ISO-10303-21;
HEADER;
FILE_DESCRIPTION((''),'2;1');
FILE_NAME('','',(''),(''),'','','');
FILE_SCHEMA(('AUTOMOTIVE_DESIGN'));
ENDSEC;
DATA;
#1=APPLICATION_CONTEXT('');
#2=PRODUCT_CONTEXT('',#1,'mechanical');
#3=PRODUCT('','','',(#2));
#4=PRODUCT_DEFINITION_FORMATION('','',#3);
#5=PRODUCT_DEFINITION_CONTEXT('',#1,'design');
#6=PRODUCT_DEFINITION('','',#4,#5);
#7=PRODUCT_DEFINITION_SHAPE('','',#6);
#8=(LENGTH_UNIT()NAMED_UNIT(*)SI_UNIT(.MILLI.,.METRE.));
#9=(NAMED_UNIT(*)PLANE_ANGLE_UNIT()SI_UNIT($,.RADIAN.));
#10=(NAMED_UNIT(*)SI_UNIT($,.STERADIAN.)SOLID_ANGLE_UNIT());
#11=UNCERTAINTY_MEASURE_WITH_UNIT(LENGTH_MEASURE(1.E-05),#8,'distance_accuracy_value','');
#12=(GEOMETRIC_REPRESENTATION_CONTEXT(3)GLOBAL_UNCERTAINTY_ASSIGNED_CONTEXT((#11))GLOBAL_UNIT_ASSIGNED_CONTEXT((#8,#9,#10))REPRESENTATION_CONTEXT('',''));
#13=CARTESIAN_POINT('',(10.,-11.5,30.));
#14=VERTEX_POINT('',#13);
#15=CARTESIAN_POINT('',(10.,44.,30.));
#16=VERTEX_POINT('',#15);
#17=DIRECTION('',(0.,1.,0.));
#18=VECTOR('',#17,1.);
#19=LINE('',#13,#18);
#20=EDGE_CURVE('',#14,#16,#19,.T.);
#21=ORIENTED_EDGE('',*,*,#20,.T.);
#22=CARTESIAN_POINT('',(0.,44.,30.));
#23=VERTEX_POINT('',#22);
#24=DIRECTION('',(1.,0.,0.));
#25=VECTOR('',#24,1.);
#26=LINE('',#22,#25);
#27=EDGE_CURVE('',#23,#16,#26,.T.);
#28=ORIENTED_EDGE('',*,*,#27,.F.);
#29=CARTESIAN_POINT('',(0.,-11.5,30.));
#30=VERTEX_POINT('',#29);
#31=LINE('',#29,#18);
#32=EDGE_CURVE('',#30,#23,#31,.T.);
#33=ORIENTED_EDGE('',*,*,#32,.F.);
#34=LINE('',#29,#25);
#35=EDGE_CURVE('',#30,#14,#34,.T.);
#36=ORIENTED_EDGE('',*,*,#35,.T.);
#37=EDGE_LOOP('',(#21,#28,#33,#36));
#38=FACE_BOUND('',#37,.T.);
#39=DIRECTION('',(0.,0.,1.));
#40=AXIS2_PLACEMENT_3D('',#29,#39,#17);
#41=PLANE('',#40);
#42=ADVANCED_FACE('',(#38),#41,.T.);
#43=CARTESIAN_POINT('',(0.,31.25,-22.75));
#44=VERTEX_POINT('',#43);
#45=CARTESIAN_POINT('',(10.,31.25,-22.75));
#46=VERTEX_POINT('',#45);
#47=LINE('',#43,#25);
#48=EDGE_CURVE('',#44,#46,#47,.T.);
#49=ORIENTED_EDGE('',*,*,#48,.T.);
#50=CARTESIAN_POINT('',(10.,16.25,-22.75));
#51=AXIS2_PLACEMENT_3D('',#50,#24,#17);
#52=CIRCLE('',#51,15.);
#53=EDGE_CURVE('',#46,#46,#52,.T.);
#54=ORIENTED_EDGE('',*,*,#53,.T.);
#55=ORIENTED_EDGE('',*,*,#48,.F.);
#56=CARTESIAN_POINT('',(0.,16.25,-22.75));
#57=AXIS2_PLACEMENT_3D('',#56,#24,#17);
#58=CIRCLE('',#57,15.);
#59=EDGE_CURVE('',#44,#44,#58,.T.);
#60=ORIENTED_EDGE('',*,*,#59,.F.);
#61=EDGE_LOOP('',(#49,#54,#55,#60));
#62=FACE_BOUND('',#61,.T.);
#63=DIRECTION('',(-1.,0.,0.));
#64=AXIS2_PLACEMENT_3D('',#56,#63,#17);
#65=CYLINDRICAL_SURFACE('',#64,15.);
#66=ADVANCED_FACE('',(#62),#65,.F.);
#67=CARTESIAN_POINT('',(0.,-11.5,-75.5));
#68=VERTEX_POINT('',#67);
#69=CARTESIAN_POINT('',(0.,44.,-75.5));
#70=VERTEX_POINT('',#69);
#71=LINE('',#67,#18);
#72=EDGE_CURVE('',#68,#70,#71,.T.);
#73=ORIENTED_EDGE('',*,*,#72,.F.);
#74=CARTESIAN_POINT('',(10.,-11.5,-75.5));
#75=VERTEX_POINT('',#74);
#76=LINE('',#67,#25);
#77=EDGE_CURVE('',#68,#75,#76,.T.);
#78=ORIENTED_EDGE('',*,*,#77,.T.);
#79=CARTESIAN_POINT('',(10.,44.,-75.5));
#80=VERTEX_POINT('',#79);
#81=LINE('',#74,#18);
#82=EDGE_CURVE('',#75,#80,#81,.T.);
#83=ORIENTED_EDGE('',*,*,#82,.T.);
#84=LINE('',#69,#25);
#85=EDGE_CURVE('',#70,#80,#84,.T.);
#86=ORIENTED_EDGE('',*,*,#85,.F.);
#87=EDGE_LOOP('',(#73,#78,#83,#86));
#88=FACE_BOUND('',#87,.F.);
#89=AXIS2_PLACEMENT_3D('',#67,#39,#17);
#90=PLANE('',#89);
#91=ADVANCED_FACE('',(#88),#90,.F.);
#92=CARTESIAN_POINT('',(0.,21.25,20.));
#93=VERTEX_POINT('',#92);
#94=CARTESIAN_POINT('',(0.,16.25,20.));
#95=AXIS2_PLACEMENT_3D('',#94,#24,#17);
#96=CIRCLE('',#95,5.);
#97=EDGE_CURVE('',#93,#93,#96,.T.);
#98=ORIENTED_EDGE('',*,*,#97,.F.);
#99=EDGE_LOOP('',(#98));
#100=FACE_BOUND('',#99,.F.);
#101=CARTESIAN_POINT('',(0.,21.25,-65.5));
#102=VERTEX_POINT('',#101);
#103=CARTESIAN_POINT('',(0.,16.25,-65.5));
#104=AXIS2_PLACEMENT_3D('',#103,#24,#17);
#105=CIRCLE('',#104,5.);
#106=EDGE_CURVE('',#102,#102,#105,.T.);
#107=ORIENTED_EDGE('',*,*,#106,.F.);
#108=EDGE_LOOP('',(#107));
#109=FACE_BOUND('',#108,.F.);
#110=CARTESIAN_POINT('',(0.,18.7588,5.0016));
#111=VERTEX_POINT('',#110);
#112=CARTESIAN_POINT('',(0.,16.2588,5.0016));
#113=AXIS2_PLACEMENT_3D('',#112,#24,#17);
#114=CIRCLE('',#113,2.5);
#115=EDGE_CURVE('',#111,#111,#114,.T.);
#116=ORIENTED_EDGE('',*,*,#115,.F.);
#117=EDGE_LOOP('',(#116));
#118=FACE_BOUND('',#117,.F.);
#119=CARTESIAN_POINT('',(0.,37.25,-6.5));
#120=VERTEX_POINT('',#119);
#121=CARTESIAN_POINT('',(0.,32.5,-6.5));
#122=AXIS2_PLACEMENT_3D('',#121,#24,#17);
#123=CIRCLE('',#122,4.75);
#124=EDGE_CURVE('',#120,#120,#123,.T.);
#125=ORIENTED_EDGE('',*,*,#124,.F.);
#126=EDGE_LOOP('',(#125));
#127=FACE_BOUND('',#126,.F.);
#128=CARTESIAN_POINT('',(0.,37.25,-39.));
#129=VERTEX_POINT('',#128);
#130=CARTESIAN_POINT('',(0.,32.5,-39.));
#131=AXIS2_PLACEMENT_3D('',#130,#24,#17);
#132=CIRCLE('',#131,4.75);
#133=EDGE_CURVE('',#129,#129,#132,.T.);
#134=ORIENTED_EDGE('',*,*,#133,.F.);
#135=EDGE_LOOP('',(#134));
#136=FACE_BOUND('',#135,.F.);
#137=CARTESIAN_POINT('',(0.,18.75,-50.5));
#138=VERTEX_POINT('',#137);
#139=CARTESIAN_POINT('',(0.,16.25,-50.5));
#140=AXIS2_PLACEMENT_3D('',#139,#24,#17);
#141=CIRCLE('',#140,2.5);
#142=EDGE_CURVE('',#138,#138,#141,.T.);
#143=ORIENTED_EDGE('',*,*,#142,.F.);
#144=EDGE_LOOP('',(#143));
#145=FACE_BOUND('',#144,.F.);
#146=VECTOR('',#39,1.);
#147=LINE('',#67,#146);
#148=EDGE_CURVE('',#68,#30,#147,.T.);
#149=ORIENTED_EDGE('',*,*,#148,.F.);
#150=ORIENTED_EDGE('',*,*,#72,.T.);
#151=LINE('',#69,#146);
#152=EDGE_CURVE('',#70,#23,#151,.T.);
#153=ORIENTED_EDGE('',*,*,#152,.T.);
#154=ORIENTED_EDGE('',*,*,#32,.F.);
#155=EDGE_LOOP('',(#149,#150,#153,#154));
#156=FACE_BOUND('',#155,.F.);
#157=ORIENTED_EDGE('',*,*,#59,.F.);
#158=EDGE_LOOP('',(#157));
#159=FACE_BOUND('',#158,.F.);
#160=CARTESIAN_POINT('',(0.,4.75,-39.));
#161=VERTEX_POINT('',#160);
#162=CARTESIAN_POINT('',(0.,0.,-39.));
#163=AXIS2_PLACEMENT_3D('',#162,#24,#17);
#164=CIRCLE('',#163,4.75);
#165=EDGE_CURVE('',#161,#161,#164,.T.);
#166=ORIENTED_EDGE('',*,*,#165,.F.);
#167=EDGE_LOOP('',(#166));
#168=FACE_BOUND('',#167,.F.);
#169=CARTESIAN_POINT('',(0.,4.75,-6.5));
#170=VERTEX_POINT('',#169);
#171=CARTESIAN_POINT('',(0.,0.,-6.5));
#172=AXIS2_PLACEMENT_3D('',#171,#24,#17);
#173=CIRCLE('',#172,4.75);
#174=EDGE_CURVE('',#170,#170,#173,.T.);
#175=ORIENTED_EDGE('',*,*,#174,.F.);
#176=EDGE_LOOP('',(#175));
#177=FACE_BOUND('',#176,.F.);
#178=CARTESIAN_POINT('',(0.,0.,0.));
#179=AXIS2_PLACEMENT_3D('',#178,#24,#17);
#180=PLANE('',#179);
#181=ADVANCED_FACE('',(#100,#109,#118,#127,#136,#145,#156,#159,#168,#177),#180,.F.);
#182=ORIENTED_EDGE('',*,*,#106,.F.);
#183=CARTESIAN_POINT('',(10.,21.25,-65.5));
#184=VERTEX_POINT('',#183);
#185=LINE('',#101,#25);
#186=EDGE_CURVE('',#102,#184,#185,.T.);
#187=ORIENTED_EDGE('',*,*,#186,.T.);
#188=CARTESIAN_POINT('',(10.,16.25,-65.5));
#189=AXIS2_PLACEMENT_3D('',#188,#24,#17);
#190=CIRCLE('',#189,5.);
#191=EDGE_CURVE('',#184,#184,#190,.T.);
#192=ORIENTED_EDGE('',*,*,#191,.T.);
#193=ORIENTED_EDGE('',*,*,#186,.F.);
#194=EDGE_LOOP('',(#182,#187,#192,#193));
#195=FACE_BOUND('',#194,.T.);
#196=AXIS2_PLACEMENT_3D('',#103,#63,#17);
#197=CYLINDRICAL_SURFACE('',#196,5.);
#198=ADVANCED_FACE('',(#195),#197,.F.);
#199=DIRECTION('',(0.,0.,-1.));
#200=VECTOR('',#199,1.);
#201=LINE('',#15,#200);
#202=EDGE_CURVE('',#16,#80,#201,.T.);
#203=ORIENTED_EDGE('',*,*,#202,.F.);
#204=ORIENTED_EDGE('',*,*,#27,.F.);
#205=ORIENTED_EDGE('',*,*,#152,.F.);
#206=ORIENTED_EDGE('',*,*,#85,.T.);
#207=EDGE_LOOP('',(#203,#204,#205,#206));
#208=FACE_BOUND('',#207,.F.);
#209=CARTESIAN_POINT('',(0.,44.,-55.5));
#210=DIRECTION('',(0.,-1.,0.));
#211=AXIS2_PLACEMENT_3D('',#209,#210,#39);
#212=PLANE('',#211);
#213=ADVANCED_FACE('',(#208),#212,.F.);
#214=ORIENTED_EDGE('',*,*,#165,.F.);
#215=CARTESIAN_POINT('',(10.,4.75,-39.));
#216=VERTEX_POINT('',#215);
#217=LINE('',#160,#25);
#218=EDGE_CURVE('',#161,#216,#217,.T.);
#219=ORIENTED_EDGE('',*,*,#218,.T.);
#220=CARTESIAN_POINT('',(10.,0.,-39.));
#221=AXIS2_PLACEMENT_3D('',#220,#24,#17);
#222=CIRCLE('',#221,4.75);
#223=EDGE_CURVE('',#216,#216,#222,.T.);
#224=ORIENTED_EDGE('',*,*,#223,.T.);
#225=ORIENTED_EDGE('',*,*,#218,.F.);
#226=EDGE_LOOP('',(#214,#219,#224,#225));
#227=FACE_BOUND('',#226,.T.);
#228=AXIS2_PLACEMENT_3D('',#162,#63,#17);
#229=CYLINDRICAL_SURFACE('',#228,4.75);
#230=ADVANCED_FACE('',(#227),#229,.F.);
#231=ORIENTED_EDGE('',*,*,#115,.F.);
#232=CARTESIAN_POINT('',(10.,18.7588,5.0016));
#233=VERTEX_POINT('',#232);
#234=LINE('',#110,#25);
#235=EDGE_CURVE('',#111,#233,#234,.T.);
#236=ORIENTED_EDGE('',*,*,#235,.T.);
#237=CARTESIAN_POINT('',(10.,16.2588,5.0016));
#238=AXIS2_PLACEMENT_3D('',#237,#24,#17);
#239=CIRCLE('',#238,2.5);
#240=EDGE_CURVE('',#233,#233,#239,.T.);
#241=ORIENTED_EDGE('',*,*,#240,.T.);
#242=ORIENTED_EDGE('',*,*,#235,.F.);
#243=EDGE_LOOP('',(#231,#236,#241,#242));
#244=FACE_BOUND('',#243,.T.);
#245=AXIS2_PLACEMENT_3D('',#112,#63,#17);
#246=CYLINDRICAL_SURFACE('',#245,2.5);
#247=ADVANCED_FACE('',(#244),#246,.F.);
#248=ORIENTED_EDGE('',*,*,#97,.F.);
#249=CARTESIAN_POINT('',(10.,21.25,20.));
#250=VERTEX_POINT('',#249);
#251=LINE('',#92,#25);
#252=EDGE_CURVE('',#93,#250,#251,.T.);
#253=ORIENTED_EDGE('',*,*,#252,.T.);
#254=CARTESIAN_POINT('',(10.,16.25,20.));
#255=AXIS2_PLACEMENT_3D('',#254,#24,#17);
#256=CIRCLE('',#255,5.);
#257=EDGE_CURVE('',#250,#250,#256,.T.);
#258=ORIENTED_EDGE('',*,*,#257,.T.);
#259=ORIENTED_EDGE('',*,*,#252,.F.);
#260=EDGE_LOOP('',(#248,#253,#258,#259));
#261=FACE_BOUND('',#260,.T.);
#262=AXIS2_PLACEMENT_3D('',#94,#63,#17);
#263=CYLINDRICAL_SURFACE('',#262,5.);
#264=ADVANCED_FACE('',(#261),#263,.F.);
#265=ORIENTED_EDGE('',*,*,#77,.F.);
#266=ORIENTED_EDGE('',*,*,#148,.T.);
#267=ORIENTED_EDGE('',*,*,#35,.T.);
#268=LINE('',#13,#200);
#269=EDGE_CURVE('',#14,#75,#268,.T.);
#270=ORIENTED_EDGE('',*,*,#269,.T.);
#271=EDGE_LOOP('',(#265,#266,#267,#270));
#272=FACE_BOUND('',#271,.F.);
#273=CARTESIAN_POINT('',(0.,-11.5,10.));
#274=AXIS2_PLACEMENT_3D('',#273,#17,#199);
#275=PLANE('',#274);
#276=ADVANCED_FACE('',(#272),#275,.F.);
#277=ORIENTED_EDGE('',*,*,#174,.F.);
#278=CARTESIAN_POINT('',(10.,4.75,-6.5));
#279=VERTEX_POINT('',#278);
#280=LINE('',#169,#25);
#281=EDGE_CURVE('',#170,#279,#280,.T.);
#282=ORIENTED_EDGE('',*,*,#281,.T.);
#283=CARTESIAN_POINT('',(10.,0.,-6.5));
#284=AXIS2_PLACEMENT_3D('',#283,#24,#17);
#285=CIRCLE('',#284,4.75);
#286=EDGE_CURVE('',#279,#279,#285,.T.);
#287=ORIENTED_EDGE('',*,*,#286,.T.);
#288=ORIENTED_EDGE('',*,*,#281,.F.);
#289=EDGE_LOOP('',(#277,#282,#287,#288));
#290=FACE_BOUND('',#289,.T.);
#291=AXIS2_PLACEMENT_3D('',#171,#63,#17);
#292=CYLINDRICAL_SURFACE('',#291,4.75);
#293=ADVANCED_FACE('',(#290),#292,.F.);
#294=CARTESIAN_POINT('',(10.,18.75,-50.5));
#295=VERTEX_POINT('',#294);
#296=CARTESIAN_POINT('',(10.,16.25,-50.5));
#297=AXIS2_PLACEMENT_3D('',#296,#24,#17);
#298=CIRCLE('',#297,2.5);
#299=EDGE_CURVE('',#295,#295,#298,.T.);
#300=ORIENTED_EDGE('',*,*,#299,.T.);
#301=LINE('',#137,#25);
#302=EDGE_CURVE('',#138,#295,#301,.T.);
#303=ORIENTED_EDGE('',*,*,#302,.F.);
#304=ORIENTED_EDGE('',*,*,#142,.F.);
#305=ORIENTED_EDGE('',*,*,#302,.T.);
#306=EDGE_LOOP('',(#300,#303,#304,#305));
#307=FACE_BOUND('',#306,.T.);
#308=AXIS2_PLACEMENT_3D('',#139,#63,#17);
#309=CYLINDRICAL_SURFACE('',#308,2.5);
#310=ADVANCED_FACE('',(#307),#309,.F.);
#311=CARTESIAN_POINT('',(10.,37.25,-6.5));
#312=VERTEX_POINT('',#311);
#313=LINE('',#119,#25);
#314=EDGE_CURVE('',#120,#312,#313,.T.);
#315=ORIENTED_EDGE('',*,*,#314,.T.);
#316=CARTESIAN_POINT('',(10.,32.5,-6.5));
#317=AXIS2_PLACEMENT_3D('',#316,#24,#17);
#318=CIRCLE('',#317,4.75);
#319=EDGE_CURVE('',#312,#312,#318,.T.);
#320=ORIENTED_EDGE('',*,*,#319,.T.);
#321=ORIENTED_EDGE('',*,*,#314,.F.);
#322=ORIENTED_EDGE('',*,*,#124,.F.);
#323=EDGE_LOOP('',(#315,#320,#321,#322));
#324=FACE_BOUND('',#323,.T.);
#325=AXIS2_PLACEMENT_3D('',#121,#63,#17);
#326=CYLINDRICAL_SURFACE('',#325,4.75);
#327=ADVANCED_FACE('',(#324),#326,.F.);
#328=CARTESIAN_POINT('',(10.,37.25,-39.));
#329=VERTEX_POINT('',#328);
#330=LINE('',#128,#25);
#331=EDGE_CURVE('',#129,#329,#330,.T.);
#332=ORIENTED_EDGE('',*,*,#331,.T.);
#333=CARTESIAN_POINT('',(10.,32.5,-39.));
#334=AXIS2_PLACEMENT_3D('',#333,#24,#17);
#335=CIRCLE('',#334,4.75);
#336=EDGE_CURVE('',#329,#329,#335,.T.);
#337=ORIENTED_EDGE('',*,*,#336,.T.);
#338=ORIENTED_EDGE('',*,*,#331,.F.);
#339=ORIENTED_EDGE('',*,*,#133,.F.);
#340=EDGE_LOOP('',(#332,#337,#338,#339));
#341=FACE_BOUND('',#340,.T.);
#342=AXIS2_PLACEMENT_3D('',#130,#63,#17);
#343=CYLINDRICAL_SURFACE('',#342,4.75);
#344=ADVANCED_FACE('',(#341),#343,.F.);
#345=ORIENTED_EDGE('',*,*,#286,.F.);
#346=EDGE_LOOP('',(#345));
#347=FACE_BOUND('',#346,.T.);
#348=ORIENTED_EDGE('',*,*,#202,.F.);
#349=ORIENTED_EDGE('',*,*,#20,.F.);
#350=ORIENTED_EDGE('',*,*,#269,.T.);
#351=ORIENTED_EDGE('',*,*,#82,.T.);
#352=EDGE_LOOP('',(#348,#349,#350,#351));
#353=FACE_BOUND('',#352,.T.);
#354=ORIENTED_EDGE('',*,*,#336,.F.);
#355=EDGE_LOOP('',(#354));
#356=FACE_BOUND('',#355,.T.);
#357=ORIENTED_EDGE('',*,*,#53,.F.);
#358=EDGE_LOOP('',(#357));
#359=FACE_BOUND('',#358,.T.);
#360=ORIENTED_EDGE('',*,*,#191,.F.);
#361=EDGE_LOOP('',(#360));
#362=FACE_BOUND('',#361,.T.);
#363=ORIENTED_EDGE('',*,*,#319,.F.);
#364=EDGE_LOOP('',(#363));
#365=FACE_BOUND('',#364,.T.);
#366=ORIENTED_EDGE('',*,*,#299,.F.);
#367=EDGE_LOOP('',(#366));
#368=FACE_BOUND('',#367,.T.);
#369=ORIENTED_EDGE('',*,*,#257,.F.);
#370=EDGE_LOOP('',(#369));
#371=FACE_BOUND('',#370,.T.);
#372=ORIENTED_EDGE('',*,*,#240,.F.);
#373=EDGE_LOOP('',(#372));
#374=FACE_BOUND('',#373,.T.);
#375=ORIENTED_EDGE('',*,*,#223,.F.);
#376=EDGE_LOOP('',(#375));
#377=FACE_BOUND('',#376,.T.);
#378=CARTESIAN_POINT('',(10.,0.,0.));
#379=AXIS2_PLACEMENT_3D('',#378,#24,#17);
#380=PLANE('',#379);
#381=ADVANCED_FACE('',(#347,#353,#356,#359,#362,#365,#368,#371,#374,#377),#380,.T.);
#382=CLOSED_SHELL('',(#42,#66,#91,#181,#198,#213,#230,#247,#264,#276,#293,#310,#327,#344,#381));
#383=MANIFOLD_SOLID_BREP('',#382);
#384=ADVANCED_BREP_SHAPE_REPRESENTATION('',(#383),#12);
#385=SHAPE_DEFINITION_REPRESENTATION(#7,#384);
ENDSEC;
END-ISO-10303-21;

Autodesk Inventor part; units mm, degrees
ref_plane "YZ Plane" through (0, 0, 0) normal (1, 0, 0) x (0, 1, 0)
ref_plane "XZ Plane" through (0, 0, 0) normal (0, 1, 0) x (-1, 0, 0)
ref_plane "XY Plane" through (0, 0, 0) normal (0, 0, 1) x (1, 0, 0)
sketch "Sketch1" plane through (0, 0, 0) normal (1, 0, 0) x (0, 1, 0)
  line L0 (-6, -12.5) -> (-6, -12.9)
  arc A0 (-6, -12.9) -> (-5.6, -13.3) centre (-5.6, -12.9) ccw
  line L1 (-5.6, -13.3) -> (-4.9, -13.3)
  arc A1 (-4.9, -13.3) -> (-4.7, -13.1) centre (-4.9, -13.1) ccw
  line L2 (-4.7, -13.1) -> (-4.7, -12.85)
  arc A2 (-4.5, -12.65) -> (-4.7, -12.85) centre (-4.5, -12.85) ccw
  line L3 (-4.5, -12.65) -> (-1.8, -12.65)
  arc A3 (-1.4, -13.05) -> (-1.8, -12.65) centre (-1.8, -13.05) ccw
  line L4 (-1.4, -13.05) -> (-1.4, -18.75)
  line L5 (-1.8, -19.15) -> (-4.5, -19.15)
  arc A4 (-1.8, -19.15) -> (-1.4, -18.75) centre (-1.8, -18.75) ccw
  arc A5 (-4.7, -18.95) -> (-4.5, -19.15) centre (-4.5, -18.95) ccw
  line L6 (-4.7, -18.95) -> (-4.7, -18.7)
  arc A6 (-4.7, -18.7) -> (-4.9, -18.5) centre (-4.9, -18.7) ccw
  line L7 (-4.9, -18.5) -> (-5.6, -18.5)
  arc A7 (-5.6, -18.5) -> (-6, -18.9) centre (-5.6, -18.9) ccw
  line L8 (-6, -18.9) -> (-6, -19.5)
  line L9 (-6.5, -6.5) -> (-6.5, -12.5)
  line L10 (-6.5, -12.5) -> (-2.5, -12.5)
  line L11 (-1.05, -19.5) -> (-6.5, -19.5)
  line L12 (-6.5, -19.5) -> (-6.5, -26)
  line L13 (-6.5, -26) -> (-1.05, -26)
  line L14 (-6, -26) -> (-6, -26.6)
  arc A8 (-6, -26.6) -> (-5.6, -27) centre (-5.6, -26.6) ccw
  line L15 (-5.6, -27) -> (-4.9, -27)
  arc A9 (-4.9, -27) -> (-4.7, -26.8) centre (-4.9, -26.8) ccw
  arc A10 (-4.5, -26.35) -> (-4.7, -26.55) centre (-4.5, -26.55) ccw
  line L16 (-4.7, -26.8) -> (-4.7, -26.55)
  line L17 (-4.5, -26.35) -> (-1.8, -26.35)
  arc A11 (-1.4, -26.75) -> (-1.8, -26.35) centre (-1.8, -26.75) ccw
  line L18 (-1.4, -26.75) -> (-1.4, -32.45)
  arc A12 (-1.8, -32.85) -> (-1.4, -32.45) centre (-1.8, -32.45) ccw
  line L19 (-1.8, -32.85) -> (-4.5, -32.85)
  arc A13 (-4.7, -32.65) -> (-4.5, -32.85) centre (-4.5, -32.65) ccw
  line L20 (-4.7, -32.65) -> (-4.7, -32.4)
  arc A14 (-4.7, -32.4) -> (-4.9, -32.2) centre (-4.9, -32.4) ccw
  line L21 (-4.9, -32.2) -> (-5.6, -32.2)
  arc A15 (-5.6, -32.2) -> (-6, -32.6) centre (-5.6, -32.6) ccw
  line L22 (-6, -32.6) -> (-6, -33)
  line L23 (-2.5, -33) -> (-6.5, -33)
  line L24 (-6.5, -33) -> (-6.5, -39)
  line L25 (32.5, 0) -> (0, 0)
  circle A16 centre (0, -6.5) radius 4.75
  circle A17 centre (32.5, -6.5) radius 4.75
  circle A18 centre (0, -39) radius 4.75
  circle A19 centre (32.5, -39) radius 4.75
  line L26 (39, -26) -> (39, -19.5)
  line L27 (39, -12.5) -> (39, -6.5)
  line L28 (39, -39) -> (39, -33)
  line L29 (26.5, -45.5) -> (32.5, -45.5)
  line L30 (0, -45.5) -> (6, -45.5)
  line L31 (13, -45.5) -> (19.5, -45.5)
  circle A20 centre (16.2588, 5.0016) radius 2.5
  circle A21 centre (16.25, -50.5) radius 2.5
  line L32 (44, 10) -> (-11.5, 10)
  line L33 (-11.5, 10) -> (-11.5, -55.5)
  line L34 (-11.5, -55.5) -> (44, -55.5)
  line L35 (44, -55.5) -> (44, 10)
  line L36 (44, 10) -> (-11.5, 10)
  line L37 (-11.5, 10) -> (-11.5, 30)
  line L38 (-11.5, 30) -> (44, 30)
  line L39 (44, 30) -> (44, 10)
  line L40 (44, -55.5) -> (-11.5, -55.5)
  line L41 (-11.5, -55.5) -> (-11.5, -75.5)
  line L42 (-11.5, -75.5) -> (44, -75.5)
  line L43 (44, -75.5) -> (44, -55.5)
  circle A22 centre (16.25, 20) radius 5
  circle A23 centre (16.25, -65.5) radius 5
  circle A24 centre (16.25, -22.75) radius 15
  circle A25 centre (16.25, -22.75) radius 5
  point P0 (24.75, -17.8425)
  point P1 (-11.5, 10)
  dimension "d0" = 20
  dimension "d1" = 20
  dimension "d2" = 10
  dimension "d3" = 10
extrude "Extrusion2" add sketch "Sketch1" along normal blind 10 contours L35 L34 L33 L32 | L32 L37 L38 L39 | L43 L42 L41 L34
properties part number "PlacaSuperiorHidráulicos_CPY_CPY"
